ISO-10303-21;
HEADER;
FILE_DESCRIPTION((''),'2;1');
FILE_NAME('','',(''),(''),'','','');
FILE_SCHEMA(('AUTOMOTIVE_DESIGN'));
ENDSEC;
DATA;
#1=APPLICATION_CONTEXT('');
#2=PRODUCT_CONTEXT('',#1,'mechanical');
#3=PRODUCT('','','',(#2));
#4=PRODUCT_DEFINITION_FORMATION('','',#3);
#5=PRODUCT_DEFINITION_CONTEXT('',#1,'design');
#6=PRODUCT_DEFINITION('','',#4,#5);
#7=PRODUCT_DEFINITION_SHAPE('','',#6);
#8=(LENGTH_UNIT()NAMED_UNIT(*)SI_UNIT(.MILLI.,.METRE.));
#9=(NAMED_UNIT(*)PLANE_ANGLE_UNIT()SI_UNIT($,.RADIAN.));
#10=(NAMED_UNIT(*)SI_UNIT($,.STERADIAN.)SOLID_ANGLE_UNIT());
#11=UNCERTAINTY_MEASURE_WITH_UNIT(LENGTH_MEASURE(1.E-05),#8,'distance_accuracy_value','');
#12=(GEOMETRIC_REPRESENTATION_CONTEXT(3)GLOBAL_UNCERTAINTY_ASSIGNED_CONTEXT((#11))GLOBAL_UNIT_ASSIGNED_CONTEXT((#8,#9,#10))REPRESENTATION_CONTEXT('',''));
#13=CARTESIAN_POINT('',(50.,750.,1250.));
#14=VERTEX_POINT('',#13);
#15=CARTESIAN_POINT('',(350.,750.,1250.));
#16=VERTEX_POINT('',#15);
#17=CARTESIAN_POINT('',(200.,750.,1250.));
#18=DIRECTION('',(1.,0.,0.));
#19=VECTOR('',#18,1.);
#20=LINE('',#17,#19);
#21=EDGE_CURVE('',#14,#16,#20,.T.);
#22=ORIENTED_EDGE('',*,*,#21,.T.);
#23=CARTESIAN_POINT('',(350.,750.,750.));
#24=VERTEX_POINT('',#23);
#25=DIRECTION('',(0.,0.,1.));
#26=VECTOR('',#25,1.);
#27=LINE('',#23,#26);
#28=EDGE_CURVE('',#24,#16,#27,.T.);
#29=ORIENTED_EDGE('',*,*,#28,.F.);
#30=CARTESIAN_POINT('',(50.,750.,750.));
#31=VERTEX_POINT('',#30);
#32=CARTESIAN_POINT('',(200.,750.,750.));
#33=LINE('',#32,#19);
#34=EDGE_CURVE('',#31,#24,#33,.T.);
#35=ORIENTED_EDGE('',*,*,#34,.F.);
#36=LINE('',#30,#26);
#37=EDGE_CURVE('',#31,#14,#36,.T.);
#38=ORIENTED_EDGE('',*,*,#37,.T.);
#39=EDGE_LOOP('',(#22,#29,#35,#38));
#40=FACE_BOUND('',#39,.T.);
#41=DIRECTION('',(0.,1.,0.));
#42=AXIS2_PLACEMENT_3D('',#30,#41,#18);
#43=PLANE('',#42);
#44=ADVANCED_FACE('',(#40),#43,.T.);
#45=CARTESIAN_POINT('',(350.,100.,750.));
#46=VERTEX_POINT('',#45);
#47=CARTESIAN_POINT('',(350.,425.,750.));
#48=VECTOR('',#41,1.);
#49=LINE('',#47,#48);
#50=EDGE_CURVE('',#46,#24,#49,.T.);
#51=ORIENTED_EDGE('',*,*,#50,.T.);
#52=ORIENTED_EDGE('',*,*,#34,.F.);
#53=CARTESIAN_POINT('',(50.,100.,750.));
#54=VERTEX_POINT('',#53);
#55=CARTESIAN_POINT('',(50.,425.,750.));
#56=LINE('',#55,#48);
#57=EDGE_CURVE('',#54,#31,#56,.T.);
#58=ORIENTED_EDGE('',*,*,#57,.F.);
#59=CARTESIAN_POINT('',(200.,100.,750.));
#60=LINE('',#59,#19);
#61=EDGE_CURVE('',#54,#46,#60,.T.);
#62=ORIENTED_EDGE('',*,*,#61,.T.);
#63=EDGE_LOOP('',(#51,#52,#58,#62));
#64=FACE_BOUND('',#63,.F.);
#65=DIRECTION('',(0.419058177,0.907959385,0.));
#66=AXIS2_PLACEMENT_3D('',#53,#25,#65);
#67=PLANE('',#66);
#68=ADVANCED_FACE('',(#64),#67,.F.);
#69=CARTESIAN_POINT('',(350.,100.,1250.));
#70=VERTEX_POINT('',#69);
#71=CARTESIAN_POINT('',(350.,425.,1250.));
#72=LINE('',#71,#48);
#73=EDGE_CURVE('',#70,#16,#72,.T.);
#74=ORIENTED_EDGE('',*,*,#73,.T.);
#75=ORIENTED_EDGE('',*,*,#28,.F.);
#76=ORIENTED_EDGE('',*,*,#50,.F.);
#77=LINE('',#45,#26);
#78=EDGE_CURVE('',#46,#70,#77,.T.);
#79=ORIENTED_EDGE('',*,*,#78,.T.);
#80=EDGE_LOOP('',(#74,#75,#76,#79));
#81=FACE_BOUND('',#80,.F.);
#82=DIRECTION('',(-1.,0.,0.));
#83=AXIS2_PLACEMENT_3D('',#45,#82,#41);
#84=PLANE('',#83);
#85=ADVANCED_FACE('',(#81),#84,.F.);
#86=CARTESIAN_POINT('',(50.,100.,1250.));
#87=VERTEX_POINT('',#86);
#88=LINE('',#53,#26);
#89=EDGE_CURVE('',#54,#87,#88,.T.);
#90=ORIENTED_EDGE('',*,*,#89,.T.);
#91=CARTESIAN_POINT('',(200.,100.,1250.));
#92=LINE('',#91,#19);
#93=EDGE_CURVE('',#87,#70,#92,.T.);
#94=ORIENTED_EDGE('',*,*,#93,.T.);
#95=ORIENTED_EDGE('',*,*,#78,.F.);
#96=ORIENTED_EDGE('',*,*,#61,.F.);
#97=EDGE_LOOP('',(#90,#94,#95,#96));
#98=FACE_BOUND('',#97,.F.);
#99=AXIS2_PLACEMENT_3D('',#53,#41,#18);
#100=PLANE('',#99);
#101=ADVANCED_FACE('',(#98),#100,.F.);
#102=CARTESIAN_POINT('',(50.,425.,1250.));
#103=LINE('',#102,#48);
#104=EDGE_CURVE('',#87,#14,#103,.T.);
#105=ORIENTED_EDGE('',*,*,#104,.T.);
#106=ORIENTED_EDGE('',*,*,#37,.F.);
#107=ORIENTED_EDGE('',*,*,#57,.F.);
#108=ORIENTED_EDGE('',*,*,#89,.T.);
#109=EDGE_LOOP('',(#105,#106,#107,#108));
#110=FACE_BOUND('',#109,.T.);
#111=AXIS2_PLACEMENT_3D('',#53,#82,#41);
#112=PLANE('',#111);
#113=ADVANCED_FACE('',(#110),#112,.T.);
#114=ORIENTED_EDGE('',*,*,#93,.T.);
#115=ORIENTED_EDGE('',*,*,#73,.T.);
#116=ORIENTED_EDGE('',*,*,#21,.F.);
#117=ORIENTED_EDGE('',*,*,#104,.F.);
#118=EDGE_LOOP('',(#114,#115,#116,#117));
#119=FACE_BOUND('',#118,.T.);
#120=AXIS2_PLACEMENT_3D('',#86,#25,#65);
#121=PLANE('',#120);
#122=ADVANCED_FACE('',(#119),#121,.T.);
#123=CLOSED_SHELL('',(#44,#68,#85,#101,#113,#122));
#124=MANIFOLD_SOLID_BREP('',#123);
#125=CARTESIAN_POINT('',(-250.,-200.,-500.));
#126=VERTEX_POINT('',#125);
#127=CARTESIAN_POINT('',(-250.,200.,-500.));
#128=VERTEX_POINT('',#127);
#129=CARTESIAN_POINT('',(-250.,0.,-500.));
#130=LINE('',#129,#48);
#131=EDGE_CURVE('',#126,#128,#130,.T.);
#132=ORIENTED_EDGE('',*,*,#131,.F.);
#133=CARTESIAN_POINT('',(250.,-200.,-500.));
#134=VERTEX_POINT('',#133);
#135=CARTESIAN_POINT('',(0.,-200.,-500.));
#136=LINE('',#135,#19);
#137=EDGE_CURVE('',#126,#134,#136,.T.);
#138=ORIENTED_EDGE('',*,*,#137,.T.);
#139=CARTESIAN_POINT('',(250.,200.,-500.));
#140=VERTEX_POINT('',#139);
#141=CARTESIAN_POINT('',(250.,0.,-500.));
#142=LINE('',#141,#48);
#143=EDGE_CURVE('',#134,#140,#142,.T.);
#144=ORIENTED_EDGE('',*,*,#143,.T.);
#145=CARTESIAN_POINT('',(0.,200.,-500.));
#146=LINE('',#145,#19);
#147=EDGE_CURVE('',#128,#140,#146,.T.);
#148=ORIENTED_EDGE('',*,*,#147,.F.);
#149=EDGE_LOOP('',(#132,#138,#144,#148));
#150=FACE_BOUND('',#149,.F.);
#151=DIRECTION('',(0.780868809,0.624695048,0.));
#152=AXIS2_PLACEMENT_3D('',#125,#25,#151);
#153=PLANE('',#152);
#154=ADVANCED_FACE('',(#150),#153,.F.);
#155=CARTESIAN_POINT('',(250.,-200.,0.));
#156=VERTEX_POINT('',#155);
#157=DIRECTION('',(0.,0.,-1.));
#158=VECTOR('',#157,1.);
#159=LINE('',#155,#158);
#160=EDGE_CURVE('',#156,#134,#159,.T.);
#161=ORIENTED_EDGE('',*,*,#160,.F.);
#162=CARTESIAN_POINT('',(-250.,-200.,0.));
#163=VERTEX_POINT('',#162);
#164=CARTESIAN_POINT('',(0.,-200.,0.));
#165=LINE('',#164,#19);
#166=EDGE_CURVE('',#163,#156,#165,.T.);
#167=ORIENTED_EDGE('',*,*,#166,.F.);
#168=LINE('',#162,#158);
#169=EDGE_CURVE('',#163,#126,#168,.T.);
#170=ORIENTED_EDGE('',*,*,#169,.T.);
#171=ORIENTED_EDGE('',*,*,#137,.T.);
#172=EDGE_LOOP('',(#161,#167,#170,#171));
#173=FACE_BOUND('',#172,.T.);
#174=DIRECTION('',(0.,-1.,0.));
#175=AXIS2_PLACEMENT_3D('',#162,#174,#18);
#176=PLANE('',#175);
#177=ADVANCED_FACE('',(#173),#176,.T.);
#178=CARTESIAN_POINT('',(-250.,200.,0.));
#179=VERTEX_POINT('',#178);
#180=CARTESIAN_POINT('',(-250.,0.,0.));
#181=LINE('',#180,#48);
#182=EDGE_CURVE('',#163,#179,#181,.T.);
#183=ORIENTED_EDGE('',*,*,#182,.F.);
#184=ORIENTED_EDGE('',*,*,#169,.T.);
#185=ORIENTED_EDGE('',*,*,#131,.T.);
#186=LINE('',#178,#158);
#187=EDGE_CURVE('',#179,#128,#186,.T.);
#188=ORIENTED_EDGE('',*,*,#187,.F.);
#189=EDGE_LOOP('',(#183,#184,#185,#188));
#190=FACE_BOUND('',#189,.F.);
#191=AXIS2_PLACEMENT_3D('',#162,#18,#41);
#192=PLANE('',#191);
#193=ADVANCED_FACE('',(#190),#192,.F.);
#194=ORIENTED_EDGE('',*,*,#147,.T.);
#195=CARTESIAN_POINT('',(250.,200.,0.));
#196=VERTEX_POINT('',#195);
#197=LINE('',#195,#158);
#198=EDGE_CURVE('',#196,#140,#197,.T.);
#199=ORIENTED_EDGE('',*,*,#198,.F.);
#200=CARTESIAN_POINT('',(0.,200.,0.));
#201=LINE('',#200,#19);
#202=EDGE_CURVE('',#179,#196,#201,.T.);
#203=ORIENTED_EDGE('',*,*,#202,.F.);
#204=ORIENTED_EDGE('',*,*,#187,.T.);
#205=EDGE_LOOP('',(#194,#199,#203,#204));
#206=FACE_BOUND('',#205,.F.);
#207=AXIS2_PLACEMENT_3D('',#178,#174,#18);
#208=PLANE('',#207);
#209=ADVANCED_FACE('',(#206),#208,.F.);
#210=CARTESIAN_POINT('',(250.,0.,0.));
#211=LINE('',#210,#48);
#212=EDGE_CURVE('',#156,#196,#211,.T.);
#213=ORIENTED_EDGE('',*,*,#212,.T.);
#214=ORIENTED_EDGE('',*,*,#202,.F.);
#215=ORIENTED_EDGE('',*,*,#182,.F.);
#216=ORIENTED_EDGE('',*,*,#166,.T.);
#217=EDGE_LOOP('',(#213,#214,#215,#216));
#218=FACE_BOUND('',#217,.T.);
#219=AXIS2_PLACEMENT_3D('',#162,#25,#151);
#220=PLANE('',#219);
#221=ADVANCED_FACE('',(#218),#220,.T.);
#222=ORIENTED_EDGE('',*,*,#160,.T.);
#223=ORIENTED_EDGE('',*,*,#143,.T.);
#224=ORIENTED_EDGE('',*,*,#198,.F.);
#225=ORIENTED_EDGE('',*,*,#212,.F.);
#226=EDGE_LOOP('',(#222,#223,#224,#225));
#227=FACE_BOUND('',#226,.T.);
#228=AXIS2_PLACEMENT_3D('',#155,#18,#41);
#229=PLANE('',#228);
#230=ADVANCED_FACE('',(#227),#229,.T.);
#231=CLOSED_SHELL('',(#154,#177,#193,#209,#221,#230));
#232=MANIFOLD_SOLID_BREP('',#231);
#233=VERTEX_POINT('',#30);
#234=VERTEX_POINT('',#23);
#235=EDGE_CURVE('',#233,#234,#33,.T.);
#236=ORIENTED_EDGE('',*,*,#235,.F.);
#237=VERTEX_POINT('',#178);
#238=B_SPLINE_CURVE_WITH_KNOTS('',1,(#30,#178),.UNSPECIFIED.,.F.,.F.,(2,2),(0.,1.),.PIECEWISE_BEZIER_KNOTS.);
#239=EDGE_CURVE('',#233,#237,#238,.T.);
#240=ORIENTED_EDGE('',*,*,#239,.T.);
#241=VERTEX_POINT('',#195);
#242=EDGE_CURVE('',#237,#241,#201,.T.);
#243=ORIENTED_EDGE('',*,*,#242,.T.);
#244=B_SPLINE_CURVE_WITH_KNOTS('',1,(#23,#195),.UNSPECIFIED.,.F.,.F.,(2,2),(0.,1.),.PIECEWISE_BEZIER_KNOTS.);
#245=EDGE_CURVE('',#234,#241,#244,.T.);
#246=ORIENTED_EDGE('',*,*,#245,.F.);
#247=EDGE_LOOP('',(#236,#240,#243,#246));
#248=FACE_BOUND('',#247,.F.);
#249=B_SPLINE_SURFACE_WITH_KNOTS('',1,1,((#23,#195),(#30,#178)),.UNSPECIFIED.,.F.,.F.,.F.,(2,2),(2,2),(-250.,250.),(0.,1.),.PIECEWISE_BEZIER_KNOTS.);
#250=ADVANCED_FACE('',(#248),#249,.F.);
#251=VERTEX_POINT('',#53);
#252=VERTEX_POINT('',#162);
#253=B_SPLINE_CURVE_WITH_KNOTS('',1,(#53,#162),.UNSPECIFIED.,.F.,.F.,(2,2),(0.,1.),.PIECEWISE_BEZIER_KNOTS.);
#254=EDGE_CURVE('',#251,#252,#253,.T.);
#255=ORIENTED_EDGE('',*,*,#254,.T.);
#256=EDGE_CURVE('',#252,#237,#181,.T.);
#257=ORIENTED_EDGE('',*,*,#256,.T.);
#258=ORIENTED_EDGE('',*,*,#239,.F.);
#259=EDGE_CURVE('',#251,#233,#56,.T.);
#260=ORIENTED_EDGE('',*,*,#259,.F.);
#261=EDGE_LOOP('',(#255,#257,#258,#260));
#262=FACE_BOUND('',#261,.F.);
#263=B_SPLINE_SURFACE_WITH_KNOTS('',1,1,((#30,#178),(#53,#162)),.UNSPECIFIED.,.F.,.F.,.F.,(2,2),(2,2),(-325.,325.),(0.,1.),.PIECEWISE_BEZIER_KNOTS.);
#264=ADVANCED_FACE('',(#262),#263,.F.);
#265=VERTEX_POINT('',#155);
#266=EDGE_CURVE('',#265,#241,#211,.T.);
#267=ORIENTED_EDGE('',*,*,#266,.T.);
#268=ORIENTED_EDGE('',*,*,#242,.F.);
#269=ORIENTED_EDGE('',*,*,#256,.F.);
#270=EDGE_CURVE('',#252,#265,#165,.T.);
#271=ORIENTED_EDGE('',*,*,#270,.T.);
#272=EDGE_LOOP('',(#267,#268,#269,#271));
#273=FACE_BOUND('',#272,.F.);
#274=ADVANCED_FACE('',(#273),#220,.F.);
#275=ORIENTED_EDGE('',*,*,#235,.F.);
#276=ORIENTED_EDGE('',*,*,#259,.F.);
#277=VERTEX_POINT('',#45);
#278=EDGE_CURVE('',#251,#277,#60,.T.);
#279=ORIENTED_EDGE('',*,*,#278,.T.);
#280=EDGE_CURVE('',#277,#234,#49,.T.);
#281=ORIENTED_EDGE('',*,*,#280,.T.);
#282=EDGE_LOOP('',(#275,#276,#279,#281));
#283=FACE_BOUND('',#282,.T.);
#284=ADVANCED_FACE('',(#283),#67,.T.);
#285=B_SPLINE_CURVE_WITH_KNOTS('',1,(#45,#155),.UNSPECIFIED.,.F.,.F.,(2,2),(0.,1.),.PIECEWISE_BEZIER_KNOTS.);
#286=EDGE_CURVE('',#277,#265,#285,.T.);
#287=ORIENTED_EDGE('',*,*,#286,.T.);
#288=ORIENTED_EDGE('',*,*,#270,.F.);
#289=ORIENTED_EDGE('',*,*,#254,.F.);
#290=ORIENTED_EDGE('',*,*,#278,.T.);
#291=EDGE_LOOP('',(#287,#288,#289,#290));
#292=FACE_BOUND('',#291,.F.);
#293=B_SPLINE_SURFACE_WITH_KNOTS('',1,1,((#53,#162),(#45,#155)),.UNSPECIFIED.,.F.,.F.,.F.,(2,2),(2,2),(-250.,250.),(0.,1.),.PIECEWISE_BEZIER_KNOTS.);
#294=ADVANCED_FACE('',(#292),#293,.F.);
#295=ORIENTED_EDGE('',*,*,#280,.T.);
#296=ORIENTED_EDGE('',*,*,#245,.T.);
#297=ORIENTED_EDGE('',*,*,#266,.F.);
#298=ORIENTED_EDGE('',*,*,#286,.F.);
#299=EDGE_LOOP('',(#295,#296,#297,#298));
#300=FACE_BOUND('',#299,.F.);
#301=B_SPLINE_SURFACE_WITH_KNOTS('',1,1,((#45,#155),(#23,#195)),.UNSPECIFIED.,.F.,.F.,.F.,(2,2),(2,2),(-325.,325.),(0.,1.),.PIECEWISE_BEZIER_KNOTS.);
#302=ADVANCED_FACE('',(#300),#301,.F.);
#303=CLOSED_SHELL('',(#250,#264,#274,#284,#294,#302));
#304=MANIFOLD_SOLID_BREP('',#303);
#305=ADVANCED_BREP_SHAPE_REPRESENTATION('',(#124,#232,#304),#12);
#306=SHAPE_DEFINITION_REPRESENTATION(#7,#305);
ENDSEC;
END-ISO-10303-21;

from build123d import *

# Parameters (mm, degrees)
F2_W     = 300
F2_H     = 650
F0_W     = 500
F0_H     = 400
F4_DEPTH = 500
F5_DEPTH = 500


with BuildPart() as f3:
    # F2 (on offset) → F3 section 0
    with BuildSketch(Plane.XY.offset(750)):
        with Locations((200, 425)):
            Rectangle(F2_W, F2_H)
    # F0 (on Top) → F3 section 1
    with BuildSketch(Plane.XY):
        Rectangle(F0_W, F0_H)
    loft()


with BuildPart() as f4:
    # F4 (new): a face of the model
    f4_faces = [f3.part.faces().sort_by_distance(p)[0] for p in [
        (0, 0, 0),
    ]]
    extrude(f4_faces, amount=F4_DEPTH)


with BuildPart() as f5:
    # F5 (new): a face of the model
    f5_faces = [f3.part.faces().sort_by_distance(p)[0] for p in [
        (200, 425, 750),
    ]]
    extrude(f5_faces, amount=F5_DEPTH)


solid = Compound([f3.part, f4.part, f5.part])
